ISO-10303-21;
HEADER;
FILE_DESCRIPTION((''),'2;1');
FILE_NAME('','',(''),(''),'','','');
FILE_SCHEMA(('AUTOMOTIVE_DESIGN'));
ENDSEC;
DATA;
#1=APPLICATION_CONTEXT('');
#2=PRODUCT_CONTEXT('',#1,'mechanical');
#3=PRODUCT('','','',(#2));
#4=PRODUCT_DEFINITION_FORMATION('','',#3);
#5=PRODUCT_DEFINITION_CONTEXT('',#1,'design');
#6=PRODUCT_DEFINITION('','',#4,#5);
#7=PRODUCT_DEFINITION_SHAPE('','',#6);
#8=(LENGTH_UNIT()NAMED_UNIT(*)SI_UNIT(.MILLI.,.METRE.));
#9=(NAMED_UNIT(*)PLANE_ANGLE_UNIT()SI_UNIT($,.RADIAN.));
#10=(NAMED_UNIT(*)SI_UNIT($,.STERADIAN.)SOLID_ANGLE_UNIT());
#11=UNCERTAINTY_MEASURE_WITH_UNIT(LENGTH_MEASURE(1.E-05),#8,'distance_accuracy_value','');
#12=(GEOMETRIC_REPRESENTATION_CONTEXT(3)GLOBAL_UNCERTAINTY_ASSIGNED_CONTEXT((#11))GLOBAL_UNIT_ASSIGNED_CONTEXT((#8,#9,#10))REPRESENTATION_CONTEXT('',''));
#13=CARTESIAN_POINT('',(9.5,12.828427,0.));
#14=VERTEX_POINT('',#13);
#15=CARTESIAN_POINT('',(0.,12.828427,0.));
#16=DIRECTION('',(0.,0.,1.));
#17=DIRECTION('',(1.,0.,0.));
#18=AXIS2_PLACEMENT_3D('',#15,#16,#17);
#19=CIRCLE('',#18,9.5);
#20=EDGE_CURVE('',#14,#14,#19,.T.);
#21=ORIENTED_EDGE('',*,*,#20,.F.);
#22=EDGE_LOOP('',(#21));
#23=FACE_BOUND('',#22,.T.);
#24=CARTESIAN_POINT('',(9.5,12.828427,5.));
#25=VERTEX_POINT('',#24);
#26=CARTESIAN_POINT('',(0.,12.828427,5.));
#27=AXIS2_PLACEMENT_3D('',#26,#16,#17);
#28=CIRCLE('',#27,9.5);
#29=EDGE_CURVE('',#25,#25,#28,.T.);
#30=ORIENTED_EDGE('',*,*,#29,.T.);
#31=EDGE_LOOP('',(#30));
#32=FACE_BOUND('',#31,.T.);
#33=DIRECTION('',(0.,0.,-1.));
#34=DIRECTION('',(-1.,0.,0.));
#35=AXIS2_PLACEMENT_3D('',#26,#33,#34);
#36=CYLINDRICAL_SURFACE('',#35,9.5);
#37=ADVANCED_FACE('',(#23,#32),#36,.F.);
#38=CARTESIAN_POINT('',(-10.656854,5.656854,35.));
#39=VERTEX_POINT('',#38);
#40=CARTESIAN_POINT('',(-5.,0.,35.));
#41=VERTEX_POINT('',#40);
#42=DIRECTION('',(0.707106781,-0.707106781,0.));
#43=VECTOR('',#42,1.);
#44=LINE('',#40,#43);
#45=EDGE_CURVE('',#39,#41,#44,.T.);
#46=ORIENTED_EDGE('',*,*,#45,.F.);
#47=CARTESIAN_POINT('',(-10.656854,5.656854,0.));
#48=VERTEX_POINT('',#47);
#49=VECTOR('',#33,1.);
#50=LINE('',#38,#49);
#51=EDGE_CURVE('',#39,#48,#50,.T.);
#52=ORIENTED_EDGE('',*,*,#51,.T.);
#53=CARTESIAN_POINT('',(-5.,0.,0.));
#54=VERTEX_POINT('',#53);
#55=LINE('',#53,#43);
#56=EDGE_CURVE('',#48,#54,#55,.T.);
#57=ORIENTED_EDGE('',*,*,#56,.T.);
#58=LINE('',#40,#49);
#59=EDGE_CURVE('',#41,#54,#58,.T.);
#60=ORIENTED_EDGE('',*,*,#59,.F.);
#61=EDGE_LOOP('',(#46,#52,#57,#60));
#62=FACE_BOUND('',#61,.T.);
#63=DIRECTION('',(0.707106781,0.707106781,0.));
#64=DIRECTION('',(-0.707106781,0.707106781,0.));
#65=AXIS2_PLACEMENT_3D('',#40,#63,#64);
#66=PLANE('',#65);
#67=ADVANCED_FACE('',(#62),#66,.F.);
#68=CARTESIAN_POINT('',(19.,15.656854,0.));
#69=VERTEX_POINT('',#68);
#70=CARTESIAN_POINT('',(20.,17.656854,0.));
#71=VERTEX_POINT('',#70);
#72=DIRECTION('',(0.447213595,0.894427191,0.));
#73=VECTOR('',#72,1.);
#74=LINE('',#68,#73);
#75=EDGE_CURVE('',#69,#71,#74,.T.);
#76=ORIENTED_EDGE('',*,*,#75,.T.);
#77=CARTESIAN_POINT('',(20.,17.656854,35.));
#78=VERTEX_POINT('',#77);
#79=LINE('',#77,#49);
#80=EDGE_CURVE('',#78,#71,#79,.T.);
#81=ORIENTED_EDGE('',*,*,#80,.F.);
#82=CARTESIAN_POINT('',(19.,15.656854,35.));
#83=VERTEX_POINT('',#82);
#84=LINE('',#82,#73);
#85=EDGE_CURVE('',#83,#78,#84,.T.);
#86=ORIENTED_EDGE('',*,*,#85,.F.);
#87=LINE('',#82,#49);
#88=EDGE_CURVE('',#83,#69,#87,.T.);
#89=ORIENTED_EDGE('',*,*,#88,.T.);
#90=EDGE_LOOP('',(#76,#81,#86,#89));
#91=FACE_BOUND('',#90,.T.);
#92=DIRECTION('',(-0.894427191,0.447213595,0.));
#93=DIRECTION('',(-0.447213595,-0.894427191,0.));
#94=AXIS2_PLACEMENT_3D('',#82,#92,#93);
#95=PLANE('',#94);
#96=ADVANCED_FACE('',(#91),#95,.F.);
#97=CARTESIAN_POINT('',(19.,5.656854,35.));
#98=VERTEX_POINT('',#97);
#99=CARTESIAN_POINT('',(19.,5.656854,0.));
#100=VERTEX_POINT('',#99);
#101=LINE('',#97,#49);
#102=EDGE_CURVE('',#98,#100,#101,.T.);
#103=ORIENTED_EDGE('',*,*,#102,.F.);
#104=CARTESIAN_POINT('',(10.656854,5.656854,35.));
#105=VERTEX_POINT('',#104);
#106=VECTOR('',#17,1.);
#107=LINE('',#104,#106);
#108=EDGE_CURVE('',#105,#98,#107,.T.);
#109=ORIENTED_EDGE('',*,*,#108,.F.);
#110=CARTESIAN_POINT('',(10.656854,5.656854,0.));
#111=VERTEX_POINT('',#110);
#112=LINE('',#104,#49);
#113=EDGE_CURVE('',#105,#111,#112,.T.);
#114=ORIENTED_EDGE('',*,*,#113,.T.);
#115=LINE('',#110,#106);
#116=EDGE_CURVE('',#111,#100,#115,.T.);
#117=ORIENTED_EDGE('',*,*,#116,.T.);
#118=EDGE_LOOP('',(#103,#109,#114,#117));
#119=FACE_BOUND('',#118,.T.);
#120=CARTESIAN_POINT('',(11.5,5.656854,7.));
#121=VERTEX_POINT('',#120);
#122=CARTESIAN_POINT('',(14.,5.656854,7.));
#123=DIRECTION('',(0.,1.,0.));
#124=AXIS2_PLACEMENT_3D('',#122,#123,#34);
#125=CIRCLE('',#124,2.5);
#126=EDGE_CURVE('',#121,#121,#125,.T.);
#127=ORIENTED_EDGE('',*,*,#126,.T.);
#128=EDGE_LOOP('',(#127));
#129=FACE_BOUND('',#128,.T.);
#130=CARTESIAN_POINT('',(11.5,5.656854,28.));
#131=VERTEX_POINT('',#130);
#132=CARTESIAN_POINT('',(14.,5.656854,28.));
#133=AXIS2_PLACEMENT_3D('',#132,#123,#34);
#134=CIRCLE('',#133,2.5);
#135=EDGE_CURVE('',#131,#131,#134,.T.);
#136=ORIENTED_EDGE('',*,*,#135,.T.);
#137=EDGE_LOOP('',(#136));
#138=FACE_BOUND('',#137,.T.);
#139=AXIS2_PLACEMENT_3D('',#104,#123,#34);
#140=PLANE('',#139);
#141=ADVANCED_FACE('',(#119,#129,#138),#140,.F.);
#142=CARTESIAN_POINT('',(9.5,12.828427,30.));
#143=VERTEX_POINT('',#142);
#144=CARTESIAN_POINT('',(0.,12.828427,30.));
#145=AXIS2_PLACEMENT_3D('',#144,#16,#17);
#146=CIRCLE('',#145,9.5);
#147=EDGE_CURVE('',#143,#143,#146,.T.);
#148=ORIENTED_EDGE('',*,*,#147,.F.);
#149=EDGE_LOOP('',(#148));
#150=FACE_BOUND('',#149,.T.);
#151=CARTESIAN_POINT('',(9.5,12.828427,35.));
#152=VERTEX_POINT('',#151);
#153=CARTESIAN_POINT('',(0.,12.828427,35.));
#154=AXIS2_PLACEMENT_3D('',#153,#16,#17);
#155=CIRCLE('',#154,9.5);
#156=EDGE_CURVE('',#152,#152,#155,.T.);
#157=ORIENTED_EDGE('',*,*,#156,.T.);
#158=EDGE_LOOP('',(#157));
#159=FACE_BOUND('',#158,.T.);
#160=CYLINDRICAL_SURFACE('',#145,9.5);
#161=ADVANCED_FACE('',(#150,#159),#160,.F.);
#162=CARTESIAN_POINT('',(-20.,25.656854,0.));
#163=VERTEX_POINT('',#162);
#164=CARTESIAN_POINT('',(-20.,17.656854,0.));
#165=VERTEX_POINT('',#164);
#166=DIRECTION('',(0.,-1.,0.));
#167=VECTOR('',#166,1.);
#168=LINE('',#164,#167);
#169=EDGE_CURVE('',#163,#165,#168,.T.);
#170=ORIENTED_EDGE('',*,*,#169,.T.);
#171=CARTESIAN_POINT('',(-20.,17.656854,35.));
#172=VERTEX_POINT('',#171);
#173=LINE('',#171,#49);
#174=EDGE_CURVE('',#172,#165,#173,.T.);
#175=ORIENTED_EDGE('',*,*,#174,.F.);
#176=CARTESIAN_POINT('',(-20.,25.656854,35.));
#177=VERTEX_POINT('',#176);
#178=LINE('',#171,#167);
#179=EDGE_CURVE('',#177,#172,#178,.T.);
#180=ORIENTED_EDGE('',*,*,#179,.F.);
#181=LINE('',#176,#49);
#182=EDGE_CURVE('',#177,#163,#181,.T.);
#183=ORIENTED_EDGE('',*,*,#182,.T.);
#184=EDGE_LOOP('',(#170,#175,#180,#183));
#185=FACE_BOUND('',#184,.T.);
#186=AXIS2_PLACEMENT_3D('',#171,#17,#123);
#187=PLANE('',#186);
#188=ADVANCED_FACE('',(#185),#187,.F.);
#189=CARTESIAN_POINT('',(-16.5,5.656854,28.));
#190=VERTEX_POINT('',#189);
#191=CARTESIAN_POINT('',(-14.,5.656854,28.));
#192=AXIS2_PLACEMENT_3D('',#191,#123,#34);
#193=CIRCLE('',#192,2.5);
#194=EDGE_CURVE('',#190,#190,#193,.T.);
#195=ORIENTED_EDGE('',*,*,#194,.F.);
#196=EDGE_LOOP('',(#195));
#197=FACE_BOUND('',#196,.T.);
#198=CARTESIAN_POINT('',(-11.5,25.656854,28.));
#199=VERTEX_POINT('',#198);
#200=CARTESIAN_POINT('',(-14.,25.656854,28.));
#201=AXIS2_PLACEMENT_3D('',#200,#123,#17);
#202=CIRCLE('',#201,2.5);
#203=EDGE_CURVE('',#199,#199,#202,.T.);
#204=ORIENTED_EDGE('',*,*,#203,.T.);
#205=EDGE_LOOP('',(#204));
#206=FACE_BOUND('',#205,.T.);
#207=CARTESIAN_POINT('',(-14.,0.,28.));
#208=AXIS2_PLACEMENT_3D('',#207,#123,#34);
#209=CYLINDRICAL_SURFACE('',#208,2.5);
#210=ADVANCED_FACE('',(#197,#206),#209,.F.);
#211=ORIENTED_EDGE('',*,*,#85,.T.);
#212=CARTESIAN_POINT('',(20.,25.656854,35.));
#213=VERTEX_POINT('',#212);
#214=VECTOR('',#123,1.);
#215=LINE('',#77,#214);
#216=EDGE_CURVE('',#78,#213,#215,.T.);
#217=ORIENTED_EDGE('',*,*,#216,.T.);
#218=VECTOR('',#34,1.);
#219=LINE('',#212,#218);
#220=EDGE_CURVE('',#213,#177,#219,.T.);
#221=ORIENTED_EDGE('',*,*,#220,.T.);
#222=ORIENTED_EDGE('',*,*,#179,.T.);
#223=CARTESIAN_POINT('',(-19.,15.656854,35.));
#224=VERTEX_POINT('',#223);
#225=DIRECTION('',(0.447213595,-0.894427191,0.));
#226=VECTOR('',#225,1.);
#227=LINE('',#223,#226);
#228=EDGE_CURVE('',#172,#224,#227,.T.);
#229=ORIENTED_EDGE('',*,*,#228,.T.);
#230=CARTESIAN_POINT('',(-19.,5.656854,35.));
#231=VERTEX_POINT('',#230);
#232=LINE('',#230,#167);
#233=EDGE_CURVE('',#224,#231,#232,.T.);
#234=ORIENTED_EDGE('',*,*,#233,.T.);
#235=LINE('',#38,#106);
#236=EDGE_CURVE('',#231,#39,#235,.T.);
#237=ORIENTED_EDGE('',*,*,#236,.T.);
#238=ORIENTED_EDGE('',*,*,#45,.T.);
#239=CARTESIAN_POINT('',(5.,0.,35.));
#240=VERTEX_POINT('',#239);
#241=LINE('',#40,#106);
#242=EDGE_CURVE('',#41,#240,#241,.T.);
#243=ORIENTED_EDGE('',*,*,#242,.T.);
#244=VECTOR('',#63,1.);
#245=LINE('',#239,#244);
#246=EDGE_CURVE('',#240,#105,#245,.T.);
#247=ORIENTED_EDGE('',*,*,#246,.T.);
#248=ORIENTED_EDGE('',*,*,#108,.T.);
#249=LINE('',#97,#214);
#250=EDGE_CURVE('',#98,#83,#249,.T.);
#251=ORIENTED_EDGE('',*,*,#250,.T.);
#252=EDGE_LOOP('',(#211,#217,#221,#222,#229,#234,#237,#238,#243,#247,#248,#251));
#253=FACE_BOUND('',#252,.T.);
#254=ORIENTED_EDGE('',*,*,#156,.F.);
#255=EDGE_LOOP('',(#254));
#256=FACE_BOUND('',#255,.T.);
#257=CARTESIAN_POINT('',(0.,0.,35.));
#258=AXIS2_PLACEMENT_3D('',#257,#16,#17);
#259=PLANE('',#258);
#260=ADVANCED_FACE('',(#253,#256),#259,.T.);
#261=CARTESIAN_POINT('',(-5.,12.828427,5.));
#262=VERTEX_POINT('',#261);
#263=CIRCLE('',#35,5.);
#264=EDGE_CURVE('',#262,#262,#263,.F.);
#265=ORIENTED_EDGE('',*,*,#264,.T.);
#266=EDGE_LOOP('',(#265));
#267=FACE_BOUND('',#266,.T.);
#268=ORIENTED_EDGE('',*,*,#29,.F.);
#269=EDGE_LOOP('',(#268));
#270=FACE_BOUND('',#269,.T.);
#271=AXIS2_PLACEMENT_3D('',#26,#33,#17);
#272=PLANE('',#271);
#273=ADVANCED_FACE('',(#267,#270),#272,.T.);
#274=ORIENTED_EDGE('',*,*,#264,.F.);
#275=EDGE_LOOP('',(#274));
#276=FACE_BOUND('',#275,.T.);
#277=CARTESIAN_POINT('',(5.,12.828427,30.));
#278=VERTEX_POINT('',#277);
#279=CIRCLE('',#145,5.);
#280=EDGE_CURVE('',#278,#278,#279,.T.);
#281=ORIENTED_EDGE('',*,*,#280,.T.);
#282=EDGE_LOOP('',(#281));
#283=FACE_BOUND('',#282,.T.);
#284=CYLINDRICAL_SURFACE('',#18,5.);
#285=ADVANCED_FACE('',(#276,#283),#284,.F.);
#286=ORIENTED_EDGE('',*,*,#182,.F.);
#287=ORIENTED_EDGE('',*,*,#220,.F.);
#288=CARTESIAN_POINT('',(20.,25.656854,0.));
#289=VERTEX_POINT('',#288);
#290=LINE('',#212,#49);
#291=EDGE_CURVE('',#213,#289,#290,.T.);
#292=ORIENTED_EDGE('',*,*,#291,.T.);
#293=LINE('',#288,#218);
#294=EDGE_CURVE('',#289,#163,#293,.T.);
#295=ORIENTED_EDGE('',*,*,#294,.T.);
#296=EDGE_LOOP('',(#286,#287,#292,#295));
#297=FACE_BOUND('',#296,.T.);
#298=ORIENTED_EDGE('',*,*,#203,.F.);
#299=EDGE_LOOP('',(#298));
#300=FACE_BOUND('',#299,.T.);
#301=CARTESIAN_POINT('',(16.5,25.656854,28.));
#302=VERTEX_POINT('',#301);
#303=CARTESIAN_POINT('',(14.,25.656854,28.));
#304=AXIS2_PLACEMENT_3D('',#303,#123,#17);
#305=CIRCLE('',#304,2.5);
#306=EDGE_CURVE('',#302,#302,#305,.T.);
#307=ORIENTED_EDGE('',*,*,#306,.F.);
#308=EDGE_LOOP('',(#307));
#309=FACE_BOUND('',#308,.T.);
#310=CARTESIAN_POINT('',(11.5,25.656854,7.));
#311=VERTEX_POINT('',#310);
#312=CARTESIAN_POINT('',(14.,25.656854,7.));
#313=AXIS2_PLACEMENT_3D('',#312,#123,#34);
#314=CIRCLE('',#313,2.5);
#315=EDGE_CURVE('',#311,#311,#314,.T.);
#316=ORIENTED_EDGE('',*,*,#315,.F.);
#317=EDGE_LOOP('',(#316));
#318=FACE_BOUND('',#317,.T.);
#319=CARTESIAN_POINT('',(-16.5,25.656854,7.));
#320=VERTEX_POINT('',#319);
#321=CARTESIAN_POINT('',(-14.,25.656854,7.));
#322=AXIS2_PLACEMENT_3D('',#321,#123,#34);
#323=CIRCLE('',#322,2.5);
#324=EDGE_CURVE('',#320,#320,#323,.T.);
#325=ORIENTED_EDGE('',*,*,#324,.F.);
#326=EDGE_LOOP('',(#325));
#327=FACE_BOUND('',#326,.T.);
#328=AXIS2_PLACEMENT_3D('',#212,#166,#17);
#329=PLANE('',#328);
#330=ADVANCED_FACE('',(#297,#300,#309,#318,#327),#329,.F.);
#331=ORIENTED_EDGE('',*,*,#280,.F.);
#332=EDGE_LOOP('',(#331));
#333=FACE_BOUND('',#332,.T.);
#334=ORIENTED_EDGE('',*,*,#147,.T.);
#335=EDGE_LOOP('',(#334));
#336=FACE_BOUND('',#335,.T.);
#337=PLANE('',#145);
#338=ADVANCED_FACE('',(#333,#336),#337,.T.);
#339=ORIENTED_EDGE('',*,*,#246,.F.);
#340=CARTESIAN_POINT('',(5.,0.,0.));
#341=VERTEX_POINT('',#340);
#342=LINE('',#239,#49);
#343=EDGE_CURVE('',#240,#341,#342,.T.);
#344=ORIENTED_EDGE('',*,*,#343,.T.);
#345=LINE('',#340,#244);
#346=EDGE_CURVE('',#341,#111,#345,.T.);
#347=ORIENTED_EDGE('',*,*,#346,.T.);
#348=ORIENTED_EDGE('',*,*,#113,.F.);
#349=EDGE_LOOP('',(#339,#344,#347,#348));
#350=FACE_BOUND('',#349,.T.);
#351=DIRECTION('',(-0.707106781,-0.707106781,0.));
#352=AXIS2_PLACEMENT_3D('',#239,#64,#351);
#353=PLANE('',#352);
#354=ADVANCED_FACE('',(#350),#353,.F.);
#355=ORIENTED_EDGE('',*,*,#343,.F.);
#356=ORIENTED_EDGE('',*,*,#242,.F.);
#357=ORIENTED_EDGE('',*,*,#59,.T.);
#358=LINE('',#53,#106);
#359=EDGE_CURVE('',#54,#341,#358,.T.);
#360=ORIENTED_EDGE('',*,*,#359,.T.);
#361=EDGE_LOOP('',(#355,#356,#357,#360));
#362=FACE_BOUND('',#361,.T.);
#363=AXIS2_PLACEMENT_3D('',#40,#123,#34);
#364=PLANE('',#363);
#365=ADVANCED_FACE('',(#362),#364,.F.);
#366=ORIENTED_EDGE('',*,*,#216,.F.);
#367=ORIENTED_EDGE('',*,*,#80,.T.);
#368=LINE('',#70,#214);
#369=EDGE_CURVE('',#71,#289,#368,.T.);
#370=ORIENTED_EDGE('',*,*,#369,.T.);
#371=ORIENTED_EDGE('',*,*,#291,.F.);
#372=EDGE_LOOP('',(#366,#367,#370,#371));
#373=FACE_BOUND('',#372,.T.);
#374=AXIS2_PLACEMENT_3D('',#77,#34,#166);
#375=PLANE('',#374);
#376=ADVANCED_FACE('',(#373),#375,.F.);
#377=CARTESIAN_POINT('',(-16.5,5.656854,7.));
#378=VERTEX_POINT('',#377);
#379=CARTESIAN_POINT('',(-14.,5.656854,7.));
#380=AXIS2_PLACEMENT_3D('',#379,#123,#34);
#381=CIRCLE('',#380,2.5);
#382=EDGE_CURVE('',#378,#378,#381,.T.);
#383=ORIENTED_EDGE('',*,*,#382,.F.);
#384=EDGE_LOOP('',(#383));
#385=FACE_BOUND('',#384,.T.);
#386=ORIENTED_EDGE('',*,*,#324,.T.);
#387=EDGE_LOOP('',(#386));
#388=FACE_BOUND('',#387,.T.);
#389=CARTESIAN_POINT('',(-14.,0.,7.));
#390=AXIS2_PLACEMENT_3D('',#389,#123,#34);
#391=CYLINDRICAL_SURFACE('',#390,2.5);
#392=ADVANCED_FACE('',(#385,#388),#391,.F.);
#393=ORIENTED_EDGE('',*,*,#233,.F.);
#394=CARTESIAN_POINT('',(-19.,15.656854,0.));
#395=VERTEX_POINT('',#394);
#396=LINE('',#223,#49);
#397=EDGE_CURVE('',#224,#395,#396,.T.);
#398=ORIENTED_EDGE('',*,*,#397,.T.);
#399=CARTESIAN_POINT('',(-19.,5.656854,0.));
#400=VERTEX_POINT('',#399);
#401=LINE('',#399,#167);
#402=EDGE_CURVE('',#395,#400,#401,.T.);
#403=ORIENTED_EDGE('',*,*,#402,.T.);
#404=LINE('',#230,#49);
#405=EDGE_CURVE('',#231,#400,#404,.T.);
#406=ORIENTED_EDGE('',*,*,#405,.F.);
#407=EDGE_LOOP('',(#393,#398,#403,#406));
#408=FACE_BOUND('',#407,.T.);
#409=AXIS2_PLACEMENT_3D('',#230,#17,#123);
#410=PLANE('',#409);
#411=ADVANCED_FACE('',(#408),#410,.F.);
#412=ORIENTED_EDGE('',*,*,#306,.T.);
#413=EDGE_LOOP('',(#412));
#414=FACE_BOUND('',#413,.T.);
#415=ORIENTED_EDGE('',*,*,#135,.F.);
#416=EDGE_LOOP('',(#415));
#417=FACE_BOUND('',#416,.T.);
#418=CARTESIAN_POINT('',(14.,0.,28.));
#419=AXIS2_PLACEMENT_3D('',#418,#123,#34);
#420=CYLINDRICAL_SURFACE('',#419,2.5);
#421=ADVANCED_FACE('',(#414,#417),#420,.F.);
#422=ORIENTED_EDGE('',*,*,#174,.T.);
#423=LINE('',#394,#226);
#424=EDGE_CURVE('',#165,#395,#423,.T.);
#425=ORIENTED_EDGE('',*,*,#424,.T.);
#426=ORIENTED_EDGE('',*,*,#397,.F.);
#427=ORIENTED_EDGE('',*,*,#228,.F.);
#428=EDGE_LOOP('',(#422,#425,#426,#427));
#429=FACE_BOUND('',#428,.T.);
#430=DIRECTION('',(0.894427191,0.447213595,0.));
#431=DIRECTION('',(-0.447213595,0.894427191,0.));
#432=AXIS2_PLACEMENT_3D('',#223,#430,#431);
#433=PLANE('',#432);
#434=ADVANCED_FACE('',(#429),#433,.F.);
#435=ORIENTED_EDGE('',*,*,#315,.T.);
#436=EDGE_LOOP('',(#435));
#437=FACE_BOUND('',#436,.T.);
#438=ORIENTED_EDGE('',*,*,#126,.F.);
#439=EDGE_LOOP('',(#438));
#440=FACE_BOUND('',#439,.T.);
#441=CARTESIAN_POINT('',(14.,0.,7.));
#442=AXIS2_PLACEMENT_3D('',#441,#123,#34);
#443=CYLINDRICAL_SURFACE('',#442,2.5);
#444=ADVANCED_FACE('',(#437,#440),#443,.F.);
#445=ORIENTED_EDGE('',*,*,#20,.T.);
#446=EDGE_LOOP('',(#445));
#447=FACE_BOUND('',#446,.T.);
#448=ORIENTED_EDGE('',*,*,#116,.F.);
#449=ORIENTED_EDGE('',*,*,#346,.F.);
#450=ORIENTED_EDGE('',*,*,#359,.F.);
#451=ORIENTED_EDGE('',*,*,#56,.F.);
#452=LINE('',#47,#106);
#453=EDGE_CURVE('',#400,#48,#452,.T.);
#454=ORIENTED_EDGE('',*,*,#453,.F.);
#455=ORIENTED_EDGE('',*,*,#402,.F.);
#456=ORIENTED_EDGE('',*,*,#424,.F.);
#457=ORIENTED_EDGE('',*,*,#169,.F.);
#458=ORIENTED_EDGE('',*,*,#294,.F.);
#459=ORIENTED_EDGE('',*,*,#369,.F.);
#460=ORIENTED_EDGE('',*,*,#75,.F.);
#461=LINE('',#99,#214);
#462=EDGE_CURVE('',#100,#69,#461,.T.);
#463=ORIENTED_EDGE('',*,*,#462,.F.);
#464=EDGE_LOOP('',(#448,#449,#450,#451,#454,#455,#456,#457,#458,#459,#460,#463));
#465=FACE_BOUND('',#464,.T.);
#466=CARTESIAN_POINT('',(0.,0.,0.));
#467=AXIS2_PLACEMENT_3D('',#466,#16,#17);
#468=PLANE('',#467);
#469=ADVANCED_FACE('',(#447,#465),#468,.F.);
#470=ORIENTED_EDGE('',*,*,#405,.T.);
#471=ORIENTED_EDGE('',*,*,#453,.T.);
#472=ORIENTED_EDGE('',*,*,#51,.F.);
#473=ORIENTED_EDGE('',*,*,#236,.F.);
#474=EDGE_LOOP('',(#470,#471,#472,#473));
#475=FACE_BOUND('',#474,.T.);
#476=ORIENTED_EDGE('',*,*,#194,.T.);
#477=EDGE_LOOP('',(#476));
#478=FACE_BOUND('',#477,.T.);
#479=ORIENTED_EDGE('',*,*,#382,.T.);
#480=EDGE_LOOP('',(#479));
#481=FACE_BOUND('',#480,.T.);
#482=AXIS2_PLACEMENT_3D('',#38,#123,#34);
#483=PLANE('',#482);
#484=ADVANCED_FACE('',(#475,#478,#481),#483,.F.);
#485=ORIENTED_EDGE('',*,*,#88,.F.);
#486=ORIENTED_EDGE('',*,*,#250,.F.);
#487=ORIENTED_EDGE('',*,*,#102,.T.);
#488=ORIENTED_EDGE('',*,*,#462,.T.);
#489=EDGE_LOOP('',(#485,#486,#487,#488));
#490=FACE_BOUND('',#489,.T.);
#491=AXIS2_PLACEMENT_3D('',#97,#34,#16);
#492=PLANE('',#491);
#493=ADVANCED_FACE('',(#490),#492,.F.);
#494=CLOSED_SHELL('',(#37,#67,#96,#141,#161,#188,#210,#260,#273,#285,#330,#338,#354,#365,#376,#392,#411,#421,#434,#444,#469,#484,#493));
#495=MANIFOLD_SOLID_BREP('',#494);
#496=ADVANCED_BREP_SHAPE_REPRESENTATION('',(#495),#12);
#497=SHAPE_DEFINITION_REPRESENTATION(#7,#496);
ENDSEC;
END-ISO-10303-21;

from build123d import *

# Parameters (mm, degrees)
BOSS_EXTRUDE1_DEPTH = 35
SKETCH3_R           = 9.5
CUT_EXTRUDE1_DEPTH  = 5
SKETCH4_R           = 5
CUT_EXTRUDE2_DEPTH  = 31
SKETCH5_R           = 2.5
CUT_EXTRUDE3_DEPTH  = 26.656854249


with BuildPart() as part:
    # Sketch2 → Boss-Extrude1 (new body)
    with BuildSketch(Plane.XY):
        Polygon((-5, 0), (5, 0), (10.656854249, 5.656854249), (19, 5.656854249), (19, 15.656854249), (20, 17.656854249), (20, 25.656854249), (-20, 25.656854249), (-20, 17.656854249), (-19, 15.656854249), (-19, 5.656854249), (-10.656854249, 5.656854249), align=None)
    extrude(amount=BOSS_EXTRUDE1_DEPTH)

    # Sketch3 → Cut-Extrude1 (cut)
    with BuildSketch(Plane.XY.offset(35)):
        with Locations((0, 12.828427125)):
            Circle(SKETCH3_R)
    cut_extrude1 = extrude(amount=-CUT_EXTRUDE1_DEPTH, mode=Mode.SUBTRACT)

    # Sketch4 → Cut-Extrude2 (cut, through all)
    with BuildSketch(Plane.XY.offset(30)):
        with Locations((0, 12.828427125)):
            Circle(SKETCH4_R)
    extrude(amount=-CUT_EXTRUDE2_DEPTH, mode=Mode.SUBTRACT)

    # Mirror1: Cut-Extrude1 across plane
    add(cut_extrude1.mirror(Plane.XY.offset(17.5)), mode=Mode.SUBTRACT)

    # Sketch5 → Cut-Extrude3 (cut, through all)
    with BuildSketch(Plane(origin=(0, 25.656854249, 0), x_dir=(1, 0, 0), z_dir=(0, 1, 0))):
        with Locations((-14, -7)):
            Circle(SKETCH5_R)
        with Locations((14, -7)):
            Circle(SKETCH5_R)
        with Locations((14, -28)):
            Circle(SKETCH5_R)
        with Locations((-14, -28)):
            Circle(SKETCH5_R)
    extrude(amount=-CUT_EXTRUDE3_DEPTH, mode=Mode.SUBTRACT)


solid = part.part
